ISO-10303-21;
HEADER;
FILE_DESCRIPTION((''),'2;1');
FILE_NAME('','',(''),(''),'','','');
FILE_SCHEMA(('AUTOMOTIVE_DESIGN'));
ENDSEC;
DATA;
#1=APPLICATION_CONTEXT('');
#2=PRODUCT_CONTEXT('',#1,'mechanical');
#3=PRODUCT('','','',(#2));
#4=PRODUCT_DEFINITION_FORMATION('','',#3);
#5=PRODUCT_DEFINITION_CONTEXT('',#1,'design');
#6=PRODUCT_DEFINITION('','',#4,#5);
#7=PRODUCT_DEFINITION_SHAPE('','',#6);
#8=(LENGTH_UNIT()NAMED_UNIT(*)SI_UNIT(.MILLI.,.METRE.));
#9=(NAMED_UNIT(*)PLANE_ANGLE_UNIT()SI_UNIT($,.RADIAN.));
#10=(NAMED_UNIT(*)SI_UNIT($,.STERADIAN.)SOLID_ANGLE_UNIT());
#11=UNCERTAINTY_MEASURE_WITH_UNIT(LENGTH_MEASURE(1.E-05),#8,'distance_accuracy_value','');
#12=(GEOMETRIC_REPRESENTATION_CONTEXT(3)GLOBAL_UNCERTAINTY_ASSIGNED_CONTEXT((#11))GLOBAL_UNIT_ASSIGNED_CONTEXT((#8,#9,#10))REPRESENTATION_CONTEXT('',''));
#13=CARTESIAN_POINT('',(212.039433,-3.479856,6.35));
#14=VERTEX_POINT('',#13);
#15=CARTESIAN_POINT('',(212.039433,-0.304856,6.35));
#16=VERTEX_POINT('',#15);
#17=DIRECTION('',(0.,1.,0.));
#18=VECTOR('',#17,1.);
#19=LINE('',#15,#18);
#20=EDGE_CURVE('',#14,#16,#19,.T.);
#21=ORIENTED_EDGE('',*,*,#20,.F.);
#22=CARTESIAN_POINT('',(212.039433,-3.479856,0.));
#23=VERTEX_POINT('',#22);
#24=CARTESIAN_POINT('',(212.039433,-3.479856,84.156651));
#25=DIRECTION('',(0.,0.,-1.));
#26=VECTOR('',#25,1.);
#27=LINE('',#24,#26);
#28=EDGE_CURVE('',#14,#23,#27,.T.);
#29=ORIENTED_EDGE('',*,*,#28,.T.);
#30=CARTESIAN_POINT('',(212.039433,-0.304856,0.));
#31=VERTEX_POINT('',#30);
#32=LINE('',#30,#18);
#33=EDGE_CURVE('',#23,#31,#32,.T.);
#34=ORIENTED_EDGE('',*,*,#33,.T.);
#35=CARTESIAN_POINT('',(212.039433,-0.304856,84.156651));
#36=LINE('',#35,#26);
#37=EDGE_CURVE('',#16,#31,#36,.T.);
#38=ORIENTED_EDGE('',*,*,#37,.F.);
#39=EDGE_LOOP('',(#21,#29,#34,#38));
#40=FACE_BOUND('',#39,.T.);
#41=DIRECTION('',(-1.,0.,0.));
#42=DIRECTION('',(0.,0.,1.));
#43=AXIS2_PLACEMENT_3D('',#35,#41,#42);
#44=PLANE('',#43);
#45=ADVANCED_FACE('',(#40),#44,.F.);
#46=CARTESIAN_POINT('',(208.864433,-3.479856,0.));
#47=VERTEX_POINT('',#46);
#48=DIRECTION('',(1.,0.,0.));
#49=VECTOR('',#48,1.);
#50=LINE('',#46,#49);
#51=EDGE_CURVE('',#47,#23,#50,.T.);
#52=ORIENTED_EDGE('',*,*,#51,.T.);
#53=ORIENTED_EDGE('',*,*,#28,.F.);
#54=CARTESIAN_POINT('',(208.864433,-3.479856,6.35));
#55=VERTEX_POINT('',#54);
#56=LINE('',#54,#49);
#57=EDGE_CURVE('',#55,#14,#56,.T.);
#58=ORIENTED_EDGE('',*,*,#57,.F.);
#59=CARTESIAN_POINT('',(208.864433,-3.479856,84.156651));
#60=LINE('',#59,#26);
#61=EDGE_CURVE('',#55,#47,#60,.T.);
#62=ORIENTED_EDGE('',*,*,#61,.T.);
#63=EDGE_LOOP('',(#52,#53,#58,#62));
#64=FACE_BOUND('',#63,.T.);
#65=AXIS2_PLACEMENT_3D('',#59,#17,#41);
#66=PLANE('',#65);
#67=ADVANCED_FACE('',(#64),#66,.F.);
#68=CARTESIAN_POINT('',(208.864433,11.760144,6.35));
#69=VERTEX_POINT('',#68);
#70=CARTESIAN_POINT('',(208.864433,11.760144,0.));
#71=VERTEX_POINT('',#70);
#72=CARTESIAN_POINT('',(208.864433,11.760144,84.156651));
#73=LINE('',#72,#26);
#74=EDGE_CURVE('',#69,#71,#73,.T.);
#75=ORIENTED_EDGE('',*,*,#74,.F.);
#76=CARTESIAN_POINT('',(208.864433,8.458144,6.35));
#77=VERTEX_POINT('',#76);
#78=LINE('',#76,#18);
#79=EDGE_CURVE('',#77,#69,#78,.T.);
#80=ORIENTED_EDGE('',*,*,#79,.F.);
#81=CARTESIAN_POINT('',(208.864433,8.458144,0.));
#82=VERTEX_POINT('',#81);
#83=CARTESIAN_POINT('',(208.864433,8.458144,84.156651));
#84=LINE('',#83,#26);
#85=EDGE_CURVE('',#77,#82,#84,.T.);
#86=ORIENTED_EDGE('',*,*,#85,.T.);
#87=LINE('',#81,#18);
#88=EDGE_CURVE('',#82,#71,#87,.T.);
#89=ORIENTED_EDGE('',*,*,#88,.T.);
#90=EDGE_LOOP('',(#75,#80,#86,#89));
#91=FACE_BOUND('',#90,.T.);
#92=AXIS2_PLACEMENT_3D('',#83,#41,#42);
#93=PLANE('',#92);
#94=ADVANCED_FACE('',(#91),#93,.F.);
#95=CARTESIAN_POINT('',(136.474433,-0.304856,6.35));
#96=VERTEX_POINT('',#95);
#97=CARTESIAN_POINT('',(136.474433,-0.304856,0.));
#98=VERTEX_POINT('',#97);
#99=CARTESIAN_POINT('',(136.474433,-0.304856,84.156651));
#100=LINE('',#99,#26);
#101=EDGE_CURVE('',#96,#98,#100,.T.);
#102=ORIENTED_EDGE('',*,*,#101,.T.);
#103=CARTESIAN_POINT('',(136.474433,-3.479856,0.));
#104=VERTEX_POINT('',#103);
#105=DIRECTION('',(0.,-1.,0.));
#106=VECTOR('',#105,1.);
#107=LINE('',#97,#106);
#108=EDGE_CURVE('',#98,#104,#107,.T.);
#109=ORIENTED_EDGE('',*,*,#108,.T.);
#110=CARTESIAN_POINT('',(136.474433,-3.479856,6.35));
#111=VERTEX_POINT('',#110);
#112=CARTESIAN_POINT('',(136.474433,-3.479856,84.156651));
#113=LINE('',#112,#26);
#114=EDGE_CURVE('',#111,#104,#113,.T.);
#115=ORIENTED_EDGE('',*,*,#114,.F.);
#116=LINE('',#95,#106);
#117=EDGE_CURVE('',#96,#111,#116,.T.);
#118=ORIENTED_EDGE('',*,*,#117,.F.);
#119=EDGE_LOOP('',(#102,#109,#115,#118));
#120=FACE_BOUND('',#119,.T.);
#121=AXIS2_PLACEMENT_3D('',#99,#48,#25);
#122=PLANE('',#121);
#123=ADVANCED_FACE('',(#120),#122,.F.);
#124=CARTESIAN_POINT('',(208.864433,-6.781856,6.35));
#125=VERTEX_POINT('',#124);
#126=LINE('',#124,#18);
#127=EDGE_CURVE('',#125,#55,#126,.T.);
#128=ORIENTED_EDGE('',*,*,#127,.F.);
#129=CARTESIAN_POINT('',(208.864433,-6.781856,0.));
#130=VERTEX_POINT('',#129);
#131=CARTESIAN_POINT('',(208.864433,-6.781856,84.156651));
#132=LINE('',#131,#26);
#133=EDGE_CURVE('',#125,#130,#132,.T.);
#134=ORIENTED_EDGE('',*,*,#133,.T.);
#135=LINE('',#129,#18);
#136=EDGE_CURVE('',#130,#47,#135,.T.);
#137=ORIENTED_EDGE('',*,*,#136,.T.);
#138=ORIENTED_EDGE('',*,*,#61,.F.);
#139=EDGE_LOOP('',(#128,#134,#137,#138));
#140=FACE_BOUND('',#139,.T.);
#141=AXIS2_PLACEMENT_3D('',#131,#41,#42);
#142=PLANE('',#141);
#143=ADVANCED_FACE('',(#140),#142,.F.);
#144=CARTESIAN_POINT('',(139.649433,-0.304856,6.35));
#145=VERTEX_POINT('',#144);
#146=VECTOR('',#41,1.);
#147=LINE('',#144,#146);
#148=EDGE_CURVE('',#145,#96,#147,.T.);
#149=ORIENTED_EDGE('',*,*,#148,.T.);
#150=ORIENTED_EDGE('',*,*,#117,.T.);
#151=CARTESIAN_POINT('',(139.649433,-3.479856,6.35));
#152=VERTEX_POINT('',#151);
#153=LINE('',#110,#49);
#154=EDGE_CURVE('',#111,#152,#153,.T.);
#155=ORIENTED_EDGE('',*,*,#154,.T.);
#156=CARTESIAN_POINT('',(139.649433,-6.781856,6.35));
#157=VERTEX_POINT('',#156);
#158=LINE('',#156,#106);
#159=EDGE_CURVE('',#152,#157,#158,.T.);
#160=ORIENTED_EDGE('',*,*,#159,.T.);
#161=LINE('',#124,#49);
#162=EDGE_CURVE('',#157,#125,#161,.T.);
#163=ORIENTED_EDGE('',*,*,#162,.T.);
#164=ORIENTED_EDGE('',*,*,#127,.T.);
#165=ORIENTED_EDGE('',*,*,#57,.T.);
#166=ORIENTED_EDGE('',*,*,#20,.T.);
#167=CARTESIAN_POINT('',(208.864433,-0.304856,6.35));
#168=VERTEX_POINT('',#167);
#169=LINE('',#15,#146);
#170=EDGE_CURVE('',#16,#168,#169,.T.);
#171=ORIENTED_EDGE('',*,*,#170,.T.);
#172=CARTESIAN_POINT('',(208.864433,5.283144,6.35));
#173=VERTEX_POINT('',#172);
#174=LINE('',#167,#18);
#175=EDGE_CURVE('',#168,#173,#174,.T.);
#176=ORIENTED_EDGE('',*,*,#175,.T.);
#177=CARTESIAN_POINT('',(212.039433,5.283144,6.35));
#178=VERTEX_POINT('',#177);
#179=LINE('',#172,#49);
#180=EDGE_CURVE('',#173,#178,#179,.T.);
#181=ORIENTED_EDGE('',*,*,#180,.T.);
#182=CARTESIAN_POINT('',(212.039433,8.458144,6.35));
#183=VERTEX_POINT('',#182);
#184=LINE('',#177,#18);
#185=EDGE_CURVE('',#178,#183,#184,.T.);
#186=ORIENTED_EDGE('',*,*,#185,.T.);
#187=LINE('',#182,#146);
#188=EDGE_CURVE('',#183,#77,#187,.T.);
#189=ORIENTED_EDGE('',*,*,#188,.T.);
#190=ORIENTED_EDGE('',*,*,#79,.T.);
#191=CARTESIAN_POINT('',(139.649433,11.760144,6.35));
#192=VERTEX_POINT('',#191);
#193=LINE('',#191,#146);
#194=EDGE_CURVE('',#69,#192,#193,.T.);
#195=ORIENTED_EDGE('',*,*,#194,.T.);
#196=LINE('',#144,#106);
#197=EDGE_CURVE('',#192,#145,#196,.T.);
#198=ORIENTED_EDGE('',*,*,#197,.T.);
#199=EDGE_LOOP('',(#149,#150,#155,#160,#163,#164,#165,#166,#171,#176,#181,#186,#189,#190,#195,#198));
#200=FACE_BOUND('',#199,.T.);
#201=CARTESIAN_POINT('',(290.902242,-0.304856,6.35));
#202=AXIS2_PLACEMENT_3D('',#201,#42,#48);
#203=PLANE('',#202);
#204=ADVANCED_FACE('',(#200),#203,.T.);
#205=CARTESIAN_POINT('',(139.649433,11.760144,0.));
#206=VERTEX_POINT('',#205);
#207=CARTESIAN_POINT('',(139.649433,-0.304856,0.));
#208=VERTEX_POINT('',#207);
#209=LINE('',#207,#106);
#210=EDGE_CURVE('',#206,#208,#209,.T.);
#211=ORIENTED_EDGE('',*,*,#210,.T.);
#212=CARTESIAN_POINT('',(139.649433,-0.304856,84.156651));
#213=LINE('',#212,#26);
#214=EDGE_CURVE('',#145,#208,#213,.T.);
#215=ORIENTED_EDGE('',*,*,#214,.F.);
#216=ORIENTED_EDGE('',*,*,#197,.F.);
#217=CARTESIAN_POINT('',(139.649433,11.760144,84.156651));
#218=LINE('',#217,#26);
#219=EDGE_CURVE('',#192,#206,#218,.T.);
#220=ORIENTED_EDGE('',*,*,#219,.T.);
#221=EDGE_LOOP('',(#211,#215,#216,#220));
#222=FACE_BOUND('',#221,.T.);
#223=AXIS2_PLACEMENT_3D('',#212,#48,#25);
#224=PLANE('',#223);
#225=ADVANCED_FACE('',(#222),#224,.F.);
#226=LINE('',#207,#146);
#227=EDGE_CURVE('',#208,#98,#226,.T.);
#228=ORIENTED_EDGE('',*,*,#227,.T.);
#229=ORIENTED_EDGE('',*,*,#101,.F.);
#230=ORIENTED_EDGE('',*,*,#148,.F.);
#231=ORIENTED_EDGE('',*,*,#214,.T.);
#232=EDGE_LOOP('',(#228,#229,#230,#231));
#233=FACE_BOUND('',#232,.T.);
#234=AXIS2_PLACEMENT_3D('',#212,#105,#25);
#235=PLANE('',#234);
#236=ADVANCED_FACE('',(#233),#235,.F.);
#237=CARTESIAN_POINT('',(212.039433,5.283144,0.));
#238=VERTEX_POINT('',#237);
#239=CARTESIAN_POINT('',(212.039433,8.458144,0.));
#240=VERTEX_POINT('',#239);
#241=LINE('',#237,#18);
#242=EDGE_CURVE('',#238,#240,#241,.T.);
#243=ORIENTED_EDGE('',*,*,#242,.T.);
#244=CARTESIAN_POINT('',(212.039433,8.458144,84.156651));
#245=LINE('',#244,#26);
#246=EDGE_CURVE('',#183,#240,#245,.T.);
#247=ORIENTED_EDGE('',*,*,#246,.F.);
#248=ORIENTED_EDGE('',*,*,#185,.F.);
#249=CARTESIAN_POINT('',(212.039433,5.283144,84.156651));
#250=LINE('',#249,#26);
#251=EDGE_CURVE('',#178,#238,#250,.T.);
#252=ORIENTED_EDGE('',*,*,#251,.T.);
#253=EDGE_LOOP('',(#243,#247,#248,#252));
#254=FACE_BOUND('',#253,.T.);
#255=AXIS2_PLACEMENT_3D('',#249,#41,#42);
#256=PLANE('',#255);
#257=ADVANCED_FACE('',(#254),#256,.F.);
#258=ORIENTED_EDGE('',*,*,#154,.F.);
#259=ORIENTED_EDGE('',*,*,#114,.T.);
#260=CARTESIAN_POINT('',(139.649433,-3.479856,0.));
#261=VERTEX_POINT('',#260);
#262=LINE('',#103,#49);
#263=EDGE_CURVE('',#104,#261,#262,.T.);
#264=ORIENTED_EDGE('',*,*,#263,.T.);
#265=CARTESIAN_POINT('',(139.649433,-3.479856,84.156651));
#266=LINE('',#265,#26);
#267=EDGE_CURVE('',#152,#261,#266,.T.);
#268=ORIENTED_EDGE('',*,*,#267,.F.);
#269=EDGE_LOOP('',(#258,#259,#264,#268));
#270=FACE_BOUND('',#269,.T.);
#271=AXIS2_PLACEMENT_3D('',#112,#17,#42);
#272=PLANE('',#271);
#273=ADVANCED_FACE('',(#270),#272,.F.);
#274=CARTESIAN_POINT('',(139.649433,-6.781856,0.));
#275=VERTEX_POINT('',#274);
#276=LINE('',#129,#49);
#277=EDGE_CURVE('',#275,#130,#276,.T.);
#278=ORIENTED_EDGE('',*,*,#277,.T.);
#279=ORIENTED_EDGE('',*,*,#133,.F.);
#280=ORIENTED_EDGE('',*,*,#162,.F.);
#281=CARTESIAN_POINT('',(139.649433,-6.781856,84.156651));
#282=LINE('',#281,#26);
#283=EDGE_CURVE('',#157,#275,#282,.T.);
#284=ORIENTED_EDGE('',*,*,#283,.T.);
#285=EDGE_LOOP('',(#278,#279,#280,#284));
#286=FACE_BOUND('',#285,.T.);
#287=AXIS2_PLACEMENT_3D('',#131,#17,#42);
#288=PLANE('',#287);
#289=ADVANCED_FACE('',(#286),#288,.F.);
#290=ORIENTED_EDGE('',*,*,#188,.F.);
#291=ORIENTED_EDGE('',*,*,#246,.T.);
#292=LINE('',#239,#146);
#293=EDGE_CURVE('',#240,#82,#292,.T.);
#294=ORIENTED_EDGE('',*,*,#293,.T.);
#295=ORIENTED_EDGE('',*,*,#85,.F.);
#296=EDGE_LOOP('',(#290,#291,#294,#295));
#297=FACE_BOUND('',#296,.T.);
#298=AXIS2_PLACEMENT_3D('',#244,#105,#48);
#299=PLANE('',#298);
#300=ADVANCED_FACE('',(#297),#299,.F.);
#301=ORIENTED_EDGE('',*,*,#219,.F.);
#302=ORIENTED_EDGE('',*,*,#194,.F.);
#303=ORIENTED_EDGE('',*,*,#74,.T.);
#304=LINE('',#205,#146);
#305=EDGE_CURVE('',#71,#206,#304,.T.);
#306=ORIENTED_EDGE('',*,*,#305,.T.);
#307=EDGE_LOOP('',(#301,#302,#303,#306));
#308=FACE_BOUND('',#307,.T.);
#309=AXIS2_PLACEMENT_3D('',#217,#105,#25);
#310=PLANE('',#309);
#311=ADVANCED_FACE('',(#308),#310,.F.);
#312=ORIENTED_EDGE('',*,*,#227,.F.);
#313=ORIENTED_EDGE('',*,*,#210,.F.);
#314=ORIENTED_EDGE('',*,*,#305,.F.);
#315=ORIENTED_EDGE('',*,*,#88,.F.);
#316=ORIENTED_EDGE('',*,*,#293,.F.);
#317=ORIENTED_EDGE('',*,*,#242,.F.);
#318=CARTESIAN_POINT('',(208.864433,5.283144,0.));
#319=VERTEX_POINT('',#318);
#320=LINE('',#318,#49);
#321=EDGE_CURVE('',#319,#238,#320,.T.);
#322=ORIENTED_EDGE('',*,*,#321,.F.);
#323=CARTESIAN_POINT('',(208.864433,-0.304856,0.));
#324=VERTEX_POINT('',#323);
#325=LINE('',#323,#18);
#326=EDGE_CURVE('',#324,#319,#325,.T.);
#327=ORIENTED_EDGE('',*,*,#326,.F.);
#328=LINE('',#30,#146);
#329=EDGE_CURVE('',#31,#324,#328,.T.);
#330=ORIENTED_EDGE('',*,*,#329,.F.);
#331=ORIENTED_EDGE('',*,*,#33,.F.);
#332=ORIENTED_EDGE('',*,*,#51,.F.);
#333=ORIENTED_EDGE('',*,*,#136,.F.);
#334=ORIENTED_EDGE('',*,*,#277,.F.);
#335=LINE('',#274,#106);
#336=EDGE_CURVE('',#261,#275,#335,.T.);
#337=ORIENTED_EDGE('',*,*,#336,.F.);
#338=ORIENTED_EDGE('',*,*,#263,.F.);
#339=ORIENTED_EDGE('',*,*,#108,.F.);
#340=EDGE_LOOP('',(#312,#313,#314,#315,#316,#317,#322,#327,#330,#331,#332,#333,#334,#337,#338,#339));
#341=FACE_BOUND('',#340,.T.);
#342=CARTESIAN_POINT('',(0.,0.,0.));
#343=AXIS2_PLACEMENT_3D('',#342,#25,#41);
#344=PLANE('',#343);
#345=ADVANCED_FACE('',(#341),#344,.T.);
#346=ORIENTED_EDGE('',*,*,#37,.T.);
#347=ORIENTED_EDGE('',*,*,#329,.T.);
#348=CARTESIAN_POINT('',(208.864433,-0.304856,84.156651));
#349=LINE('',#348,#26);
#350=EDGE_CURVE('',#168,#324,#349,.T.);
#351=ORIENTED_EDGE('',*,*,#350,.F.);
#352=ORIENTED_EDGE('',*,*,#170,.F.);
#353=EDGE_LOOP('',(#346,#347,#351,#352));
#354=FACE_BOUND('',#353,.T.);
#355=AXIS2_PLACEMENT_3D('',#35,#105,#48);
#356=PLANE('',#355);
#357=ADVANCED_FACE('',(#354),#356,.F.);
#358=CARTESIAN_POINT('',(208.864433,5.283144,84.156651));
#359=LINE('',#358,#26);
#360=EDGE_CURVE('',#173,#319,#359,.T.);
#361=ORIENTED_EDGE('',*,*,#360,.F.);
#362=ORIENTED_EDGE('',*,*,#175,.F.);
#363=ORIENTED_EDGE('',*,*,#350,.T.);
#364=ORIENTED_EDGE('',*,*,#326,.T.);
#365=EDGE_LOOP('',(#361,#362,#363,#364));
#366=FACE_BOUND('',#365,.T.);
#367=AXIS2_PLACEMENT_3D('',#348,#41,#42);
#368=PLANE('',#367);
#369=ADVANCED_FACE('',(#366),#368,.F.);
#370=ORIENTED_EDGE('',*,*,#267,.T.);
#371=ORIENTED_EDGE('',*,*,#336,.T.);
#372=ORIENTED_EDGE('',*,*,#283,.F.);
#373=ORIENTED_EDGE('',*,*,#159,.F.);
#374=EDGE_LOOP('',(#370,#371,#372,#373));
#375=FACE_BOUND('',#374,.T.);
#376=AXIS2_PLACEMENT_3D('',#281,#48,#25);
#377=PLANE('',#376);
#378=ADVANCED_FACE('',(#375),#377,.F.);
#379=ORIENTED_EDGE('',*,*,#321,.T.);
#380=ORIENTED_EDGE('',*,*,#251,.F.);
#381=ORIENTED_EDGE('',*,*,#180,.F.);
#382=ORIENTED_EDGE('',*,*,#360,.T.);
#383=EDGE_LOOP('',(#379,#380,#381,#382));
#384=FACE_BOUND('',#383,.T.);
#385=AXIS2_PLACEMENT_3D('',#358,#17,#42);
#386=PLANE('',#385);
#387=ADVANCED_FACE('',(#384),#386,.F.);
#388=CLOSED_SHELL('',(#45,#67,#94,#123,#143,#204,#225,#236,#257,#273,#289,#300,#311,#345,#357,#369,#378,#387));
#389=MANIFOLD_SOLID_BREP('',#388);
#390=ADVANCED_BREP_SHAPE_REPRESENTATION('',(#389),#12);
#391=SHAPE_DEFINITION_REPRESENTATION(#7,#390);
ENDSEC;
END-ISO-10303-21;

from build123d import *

# Parameters (mm, degrees)
BOSS_EXTRUDE1_DEPTH = 6.35


with BuildPart() as part:
    # Sketch1 → Boss-Extrude1 (new body)
    with BuildSketch(Plane.XY):
        Polygon((208.864432812, -3.479856336), (212.039432812, -3.479856336), (212.039432812, -0.304856336), (208.864432812, -0.304856336), (208.864432812, 5.283143664), (212.039432812, 5.283143664), (212.039432812, 8.458143664), (208.864432812, 8.458143664), (208.864432812, 11.760143664), (139.649432812, 11.760143664), (139.649432812, -0.304856336), (136.474432812, -0.304856336), (136.474432812, -3.479856336), (139.649432812, -3.479856336), (139.649432812, -6.781856336), (208.864432812, -6.781856336), align=None)
    extrude(amount=BOSS_EXTRUDE1_DEPTH)


solid = part.part
